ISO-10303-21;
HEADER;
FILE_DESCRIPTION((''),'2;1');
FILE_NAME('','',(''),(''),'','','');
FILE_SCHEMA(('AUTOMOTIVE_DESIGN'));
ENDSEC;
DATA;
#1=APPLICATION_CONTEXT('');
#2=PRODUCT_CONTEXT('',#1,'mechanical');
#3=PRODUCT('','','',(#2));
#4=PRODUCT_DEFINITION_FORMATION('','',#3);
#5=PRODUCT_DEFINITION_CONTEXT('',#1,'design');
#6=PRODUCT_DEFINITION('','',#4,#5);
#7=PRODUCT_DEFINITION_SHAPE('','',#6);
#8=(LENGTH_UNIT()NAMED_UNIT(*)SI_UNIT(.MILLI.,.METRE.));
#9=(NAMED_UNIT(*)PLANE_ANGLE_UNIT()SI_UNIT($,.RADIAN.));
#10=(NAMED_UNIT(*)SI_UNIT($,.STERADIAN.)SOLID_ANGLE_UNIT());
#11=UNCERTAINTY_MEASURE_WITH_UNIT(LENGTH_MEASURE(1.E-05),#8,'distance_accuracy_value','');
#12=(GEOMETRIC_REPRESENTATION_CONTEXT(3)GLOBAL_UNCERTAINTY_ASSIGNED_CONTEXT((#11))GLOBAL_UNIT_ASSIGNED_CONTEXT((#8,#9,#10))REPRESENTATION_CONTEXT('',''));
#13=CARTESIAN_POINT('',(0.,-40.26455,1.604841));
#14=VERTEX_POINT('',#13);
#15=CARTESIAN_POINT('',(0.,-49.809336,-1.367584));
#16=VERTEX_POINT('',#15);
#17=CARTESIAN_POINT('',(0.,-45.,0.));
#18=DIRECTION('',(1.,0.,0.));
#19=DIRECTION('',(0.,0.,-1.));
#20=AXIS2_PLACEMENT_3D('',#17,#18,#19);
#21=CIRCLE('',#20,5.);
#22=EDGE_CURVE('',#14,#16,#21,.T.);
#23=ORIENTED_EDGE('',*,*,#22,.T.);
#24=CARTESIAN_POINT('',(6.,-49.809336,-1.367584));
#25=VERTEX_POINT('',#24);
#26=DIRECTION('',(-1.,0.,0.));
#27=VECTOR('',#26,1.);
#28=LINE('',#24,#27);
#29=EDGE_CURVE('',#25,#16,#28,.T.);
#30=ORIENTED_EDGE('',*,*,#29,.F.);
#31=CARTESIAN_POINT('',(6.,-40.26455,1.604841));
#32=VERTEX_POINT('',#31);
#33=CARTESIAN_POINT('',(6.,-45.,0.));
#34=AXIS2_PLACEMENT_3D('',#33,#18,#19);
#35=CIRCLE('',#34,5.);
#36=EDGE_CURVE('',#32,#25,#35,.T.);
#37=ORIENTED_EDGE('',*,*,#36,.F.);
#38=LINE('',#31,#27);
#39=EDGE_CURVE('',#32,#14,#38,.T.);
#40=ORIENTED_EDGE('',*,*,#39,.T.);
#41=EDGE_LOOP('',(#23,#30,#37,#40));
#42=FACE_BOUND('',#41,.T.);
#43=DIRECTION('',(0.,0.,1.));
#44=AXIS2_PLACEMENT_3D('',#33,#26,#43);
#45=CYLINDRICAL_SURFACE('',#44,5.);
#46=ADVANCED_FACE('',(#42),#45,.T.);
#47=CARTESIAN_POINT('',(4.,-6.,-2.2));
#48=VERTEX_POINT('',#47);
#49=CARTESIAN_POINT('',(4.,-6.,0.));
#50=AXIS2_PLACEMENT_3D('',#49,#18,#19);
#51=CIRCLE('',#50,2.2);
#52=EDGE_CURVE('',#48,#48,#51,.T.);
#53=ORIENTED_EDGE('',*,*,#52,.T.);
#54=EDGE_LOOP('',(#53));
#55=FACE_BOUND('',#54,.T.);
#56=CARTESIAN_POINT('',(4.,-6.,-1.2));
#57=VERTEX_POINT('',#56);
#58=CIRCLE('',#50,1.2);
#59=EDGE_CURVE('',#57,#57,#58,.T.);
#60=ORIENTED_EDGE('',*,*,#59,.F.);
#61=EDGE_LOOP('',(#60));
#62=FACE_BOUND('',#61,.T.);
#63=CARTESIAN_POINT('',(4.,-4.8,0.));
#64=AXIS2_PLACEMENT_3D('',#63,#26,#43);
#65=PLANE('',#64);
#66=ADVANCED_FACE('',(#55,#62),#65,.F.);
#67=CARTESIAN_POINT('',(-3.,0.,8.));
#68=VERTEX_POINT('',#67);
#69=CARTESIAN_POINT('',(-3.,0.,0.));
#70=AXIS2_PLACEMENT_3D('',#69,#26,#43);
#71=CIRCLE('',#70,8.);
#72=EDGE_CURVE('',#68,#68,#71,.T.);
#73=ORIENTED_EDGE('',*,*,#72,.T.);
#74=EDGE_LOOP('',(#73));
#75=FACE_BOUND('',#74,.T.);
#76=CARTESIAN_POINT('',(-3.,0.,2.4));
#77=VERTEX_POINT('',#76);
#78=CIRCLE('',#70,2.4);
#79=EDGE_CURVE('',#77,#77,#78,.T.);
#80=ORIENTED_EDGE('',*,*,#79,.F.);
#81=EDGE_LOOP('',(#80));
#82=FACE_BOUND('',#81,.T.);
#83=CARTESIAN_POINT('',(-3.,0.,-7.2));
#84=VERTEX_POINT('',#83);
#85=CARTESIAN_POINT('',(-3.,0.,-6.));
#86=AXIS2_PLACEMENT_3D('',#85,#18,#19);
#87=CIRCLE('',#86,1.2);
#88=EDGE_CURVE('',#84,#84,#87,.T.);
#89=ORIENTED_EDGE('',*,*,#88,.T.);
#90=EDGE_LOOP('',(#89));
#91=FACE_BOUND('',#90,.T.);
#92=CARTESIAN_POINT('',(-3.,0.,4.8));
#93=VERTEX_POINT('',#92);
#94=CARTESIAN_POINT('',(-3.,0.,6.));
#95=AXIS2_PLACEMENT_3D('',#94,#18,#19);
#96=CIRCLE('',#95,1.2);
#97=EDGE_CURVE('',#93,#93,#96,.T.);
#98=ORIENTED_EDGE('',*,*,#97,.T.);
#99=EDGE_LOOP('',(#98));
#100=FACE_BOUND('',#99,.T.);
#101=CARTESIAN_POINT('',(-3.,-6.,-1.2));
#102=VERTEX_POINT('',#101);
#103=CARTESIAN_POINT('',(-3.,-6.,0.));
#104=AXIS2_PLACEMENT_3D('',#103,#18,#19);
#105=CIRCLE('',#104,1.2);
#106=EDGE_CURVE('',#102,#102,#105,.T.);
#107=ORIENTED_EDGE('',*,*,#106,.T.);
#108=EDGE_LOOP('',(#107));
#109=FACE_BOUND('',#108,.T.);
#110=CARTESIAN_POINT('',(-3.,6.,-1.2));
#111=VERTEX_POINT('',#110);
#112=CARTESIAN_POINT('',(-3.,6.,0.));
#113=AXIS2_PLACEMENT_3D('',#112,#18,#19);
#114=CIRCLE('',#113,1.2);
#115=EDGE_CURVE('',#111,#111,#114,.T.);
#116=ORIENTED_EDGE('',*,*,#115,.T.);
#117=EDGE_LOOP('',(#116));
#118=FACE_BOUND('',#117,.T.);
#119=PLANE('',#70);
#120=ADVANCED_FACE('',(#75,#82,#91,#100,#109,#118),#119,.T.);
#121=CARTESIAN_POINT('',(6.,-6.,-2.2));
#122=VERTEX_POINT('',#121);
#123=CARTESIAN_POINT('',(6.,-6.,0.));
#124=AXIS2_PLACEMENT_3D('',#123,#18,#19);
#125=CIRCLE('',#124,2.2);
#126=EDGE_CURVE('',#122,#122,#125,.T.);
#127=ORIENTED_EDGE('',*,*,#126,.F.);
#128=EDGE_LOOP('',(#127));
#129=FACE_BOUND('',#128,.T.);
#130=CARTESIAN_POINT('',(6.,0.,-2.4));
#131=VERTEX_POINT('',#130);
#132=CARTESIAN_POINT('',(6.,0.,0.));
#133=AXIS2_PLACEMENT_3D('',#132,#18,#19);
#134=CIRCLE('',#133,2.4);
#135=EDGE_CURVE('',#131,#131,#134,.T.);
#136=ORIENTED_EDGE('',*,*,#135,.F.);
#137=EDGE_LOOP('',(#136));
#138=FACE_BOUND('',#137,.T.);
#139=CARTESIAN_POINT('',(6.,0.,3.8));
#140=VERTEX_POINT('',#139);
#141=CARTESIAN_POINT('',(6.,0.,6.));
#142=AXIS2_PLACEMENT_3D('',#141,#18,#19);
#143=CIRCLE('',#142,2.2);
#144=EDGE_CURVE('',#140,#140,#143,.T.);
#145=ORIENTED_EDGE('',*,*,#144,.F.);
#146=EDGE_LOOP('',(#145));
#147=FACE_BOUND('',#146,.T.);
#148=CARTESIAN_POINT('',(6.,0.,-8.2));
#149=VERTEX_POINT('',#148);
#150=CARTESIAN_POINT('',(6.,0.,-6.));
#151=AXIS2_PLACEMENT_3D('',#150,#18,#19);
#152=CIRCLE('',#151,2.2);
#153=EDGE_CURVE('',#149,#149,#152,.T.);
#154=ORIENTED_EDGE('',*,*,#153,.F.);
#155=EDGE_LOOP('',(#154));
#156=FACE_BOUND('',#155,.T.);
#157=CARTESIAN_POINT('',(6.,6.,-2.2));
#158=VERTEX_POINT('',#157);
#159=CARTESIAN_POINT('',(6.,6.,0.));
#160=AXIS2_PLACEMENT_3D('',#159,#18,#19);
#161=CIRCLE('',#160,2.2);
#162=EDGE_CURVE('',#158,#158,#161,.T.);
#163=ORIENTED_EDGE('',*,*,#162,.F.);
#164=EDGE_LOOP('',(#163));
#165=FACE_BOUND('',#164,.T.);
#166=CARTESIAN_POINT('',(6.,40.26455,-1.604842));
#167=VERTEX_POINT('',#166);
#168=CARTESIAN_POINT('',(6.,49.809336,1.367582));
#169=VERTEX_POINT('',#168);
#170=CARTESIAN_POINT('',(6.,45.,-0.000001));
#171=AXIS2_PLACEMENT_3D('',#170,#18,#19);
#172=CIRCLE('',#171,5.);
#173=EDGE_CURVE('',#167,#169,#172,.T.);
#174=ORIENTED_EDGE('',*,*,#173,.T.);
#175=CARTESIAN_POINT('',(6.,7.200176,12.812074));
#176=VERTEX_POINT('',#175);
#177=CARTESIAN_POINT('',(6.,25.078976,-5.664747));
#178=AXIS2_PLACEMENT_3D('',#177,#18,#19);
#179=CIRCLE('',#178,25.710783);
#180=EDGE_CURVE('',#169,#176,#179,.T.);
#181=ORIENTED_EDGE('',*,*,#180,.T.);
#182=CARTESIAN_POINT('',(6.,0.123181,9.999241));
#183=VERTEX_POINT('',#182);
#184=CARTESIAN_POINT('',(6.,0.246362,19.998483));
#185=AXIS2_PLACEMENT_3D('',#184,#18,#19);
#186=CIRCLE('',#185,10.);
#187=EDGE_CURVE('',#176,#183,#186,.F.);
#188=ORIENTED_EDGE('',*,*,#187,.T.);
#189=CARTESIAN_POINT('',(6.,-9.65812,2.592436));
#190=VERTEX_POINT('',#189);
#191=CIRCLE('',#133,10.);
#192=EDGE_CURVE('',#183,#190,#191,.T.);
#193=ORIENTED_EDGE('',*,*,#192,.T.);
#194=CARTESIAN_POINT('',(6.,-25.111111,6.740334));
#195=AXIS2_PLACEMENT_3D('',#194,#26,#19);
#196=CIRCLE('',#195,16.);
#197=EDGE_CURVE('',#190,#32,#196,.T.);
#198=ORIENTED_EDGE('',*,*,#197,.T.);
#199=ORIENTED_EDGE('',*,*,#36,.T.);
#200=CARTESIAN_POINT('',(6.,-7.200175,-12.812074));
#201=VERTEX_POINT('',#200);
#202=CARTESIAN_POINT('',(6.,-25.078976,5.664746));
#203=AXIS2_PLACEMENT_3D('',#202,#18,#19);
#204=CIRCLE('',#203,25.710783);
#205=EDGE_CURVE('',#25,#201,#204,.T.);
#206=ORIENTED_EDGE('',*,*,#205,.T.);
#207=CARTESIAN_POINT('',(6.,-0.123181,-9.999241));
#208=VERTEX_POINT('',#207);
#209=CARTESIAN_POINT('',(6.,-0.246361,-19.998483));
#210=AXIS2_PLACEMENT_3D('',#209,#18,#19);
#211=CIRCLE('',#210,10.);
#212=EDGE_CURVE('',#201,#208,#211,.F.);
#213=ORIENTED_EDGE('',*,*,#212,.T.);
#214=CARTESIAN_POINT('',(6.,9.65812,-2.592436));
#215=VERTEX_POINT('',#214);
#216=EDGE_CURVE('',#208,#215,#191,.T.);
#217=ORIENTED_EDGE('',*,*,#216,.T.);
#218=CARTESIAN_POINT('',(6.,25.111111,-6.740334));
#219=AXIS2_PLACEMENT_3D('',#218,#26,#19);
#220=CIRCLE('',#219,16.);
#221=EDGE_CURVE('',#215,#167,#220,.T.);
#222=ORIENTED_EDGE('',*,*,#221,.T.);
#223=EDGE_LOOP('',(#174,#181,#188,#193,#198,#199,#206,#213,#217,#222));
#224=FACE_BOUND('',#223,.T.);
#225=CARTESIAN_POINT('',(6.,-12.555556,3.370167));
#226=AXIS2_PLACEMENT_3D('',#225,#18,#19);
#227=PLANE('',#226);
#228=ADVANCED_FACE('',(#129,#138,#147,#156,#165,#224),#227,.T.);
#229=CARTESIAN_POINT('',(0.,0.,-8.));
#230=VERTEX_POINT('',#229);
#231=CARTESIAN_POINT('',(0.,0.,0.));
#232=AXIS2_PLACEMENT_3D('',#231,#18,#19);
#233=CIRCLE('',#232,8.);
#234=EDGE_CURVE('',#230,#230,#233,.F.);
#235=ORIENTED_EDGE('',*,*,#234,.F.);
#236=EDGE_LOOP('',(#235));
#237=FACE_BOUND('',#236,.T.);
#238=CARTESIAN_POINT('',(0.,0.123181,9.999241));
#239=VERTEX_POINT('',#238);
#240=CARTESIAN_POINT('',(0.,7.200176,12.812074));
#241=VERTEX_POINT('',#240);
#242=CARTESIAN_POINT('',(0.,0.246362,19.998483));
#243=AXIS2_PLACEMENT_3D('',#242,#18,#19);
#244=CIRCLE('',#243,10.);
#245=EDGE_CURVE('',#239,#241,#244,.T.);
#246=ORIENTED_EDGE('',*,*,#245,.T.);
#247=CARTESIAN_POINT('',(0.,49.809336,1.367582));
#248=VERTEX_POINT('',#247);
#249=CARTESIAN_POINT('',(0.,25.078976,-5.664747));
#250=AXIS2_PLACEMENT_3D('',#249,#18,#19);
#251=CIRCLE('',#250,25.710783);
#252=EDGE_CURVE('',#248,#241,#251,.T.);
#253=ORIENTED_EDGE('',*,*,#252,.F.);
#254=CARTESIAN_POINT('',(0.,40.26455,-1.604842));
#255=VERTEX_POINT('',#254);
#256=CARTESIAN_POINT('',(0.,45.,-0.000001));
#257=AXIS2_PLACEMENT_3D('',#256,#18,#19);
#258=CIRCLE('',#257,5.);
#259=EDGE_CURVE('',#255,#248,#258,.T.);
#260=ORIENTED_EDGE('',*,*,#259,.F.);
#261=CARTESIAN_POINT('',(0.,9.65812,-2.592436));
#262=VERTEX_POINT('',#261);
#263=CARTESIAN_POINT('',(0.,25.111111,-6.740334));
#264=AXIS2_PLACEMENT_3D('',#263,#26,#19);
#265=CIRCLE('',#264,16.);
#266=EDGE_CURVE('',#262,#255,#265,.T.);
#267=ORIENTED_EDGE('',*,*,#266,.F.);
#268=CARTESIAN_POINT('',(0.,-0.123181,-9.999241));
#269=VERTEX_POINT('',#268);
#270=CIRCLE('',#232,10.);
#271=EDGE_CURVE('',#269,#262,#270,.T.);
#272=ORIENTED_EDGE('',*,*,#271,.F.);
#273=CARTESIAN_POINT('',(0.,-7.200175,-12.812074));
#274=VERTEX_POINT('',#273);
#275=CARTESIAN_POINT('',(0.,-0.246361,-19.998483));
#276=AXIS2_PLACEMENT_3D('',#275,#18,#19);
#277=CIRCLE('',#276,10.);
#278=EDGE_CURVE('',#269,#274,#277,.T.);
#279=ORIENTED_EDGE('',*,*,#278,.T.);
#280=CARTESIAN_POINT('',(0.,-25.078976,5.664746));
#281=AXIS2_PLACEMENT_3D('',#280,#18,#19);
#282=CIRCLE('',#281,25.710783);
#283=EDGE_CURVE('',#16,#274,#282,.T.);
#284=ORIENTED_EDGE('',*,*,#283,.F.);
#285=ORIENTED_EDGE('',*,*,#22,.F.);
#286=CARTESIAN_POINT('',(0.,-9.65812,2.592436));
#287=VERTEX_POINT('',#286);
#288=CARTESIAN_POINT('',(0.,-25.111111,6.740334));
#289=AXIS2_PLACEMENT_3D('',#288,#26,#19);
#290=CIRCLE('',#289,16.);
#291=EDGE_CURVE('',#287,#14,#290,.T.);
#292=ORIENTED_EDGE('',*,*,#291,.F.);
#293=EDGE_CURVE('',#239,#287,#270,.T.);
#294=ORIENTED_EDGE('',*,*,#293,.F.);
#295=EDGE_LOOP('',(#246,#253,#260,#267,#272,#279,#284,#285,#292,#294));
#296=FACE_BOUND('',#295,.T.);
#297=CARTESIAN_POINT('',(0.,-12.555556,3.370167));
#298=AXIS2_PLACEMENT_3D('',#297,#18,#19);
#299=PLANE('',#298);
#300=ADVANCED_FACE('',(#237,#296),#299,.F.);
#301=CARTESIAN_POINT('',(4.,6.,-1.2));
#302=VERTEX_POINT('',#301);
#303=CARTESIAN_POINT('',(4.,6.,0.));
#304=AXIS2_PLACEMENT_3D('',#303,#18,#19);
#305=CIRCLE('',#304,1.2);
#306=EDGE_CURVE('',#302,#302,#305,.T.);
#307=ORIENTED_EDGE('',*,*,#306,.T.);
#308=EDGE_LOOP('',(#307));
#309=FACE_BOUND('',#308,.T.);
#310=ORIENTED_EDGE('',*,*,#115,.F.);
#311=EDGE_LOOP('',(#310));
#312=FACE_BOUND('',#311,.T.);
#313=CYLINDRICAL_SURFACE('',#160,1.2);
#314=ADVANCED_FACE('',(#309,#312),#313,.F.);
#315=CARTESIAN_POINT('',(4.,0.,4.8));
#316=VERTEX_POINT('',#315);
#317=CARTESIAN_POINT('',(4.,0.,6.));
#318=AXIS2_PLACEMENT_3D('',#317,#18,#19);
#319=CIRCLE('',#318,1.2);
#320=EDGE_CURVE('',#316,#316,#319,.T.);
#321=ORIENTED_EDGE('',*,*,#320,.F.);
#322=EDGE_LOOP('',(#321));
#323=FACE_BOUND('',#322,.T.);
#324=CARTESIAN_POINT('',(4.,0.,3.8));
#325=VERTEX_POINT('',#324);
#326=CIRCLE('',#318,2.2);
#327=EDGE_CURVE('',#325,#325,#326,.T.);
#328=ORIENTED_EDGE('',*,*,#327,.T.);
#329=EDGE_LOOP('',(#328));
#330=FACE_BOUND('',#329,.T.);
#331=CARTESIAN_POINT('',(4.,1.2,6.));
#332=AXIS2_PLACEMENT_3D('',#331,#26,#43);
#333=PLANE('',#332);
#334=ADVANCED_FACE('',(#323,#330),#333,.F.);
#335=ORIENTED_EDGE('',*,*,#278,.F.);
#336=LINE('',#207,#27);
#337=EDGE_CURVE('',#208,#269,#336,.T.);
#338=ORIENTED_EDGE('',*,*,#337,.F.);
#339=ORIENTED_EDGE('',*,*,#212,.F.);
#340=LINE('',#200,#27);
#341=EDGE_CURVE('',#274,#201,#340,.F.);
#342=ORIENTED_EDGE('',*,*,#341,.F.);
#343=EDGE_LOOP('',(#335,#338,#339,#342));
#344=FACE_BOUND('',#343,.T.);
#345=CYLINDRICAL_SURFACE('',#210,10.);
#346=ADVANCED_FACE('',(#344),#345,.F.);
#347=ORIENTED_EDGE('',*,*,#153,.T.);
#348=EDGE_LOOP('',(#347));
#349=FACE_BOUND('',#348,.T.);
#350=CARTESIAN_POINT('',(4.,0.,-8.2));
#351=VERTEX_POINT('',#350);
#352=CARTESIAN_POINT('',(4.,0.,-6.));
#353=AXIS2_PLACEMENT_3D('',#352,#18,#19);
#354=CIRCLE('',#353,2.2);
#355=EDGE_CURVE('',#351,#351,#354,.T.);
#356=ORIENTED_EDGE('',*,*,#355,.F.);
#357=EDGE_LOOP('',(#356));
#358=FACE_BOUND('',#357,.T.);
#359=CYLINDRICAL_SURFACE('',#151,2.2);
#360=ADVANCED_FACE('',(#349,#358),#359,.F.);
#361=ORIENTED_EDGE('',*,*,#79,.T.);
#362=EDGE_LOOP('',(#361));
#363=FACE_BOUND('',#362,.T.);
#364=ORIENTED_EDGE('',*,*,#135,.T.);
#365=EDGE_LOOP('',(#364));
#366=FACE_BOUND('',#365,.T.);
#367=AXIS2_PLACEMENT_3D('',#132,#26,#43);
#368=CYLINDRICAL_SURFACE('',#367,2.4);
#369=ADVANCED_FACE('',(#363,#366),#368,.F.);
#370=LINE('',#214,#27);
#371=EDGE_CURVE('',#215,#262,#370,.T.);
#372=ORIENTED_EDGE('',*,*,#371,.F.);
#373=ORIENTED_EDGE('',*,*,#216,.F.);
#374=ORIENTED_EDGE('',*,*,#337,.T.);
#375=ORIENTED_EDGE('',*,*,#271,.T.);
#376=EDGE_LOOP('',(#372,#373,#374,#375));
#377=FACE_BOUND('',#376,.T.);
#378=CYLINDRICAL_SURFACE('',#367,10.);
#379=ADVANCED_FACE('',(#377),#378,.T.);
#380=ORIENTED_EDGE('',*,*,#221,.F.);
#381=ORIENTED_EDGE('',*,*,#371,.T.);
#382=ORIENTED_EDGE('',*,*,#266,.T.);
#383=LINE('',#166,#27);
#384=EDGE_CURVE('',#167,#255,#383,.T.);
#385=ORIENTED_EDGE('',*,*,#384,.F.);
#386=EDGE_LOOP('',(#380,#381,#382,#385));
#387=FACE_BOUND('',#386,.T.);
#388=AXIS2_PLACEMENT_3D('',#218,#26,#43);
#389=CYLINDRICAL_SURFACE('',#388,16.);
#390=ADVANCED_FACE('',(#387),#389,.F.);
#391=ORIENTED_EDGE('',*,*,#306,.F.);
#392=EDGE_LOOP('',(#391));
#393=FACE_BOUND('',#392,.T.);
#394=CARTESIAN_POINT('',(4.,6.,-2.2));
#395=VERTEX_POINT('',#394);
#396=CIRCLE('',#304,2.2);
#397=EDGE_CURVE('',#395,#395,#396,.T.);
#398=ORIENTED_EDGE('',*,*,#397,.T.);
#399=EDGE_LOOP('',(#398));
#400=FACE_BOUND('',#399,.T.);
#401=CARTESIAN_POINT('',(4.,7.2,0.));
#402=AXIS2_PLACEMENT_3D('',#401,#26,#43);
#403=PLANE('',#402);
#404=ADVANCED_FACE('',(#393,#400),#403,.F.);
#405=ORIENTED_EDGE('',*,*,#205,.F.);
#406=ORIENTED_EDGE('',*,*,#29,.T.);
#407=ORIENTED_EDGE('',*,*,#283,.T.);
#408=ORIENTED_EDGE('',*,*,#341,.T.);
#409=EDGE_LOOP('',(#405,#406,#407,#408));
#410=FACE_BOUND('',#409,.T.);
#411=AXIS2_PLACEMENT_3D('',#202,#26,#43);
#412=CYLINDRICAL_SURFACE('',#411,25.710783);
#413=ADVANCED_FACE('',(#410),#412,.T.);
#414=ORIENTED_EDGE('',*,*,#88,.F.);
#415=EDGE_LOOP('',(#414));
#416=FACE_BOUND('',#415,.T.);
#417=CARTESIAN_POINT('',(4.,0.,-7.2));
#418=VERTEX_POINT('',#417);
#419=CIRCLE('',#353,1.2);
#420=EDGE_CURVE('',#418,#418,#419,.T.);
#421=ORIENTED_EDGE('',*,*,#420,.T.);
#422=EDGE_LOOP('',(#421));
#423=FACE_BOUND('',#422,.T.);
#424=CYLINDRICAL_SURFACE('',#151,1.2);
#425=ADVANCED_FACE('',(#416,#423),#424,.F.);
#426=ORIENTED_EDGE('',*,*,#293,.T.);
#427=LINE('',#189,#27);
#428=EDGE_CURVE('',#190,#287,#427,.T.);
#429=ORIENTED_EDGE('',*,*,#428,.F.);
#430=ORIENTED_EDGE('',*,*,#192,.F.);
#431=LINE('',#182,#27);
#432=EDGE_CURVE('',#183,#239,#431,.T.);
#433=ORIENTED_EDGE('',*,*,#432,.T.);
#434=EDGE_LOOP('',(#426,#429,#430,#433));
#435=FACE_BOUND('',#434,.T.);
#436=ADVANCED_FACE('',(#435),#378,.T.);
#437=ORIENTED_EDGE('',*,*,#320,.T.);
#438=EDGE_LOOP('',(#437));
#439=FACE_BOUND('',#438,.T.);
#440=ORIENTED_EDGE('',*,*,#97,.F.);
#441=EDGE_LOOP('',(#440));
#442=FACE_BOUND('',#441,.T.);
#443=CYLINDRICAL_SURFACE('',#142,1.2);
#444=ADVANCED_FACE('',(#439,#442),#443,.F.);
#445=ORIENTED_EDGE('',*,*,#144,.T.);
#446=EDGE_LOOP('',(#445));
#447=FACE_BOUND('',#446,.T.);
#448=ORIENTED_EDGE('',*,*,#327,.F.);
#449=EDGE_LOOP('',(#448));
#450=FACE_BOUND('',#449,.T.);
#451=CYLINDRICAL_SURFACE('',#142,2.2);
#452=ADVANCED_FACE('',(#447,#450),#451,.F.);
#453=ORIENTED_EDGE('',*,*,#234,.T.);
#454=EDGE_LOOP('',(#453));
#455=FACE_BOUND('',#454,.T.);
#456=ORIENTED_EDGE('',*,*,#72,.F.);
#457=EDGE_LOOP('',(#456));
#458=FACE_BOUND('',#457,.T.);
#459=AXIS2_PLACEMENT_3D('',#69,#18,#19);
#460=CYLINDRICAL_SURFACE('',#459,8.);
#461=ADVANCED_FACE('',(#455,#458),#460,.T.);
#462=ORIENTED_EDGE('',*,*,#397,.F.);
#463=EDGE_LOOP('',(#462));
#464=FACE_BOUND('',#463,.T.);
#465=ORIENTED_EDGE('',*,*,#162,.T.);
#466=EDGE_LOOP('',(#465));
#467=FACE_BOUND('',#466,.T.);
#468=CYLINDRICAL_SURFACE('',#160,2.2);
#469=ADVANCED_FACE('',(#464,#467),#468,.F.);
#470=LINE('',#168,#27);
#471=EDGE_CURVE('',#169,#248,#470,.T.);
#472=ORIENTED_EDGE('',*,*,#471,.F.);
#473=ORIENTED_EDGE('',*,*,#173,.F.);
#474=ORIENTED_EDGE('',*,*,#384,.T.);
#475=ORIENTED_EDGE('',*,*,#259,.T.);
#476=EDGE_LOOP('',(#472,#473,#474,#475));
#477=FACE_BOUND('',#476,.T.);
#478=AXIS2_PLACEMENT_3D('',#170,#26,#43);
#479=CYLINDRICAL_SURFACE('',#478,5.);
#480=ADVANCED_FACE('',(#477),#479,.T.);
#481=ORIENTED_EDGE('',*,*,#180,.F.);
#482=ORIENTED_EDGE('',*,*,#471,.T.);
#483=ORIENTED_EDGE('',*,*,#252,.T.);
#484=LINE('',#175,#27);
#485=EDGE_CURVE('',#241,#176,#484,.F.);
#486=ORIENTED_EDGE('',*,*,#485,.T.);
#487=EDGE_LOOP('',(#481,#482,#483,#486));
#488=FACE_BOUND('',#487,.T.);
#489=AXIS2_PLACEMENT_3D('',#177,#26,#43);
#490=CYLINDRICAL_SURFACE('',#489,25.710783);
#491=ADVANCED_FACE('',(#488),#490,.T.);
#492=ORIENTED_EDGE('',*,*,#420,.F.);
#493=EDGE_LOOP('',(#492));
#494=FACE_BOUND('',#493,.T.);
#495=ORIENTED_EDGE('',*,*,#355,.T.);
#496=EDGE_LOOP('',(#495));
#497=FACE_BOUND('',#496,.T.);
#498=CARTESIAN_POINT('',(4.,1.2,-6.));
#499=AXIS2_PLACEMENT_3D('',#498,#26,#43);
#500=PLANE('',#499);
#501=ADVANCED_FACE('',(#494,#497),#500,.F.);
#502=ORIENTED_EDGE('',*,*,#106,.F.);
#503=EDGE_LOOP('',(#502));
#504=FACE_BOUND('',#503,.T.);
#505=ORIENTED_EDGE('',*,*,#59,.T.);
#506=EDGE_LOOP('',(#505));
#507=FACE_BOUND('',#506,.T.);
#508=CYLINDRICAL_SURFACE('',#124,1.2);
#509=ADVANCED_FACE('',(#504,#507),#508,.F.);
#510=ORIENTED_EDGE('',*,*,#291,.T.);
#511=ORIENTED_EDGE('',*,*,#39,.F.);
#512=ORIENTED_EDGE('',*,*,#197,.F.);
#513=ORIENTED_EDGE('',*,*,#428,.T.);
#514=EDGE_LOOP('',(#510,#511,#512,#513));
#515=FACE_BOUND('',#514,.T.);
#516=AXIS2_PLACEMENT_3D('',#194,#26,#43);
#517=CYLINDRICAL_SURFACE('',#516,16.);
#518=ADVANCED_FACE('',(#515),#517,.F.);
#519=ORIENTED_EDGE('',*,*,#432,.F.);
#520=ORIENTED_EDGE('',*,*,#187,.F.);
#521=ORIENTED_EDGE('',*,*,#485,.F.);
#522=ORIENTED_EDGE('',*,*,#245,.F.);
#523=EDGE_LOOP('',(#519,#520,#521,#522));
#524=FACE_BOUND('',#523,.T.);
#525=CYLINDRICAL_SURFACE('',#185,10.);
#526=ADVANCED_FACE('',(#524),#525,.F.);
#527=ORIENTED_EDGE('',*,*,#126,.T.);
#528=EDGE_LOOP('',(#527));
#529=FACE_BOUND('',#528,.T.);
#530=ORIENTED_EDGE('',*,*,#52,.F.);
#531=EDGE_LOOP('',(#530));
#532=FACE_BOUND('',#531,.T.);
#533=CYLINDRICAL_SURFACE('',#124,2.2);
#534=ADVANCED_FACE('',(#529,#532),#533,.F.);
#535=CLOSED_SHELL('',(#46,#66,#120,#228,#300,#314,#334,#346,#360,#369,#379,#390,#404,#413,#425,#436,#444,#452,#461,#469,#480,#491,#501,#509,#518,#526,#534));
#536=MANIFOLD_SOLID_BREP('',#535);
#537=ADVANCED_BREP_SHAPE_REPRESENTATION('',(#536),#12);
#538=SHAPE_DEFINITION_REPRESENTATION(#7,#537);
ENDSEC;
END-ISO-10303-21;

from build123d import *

# Parameters (mm, degrees)
SKETCH1_R                      = 2.4
BOSS_EXTRUDE1_DEPTH            = 6
SKETCH2_R                      = 8
SKETCH2_R_2                    = 2.4
BOSS_EXTRUDE2_DEPTH            = 3
CBORE_FOR_M2_SHCS1_D           = 2.4
CBORE_FOR_M2_SHCS1_CBORE_D     = 4.4
CBORE_FOR_M2_SHCS1_CBORE_DEPTH = 2
FILLET1_R                      = 10


with BuildPart() as part:
    # Sketch1 → Boss-Extrude1 (new body)
    with BuildSketch(Plane(origin=(0, 0, 0), x_dir=(0, 0, -1), z_dir=(1, 0, 0))):
        with BuildLine():
            ThreePointArc((9.139568575, -4.058113633), (9.024618995, 4.307696832), (2.592436286, 9.658119595))
            ThreePointArc((2.592436286, 9.658119595), (-9.251342607, 24.595099021), (1.604842351, 40.264550225))
            ThreePointArc((1.604842351, 40.264550225), (4.773868283, 46.4866715), (-1.367582481, 49.809336247))
            ThreePointArc((-1.367582481, 49.809336247), (-19.682903104, 29.384906165), (-9.139568476, 4.058113857))
            ThreePointArc((-9.139568476, 4.058113857), (-9.024618995, -4.307696832), (-2.592436049, -9.658119658))
            ThreePointArc((-2.592436049, -9.658119658), (9.25134321, -24.595098795), (-1.604841364, -40.264550265))
            ThreePointArc((-1.604841364, -40.264550265), (-4.773867143, -46.486671617), (1.367583702, -49.809336214))
            ThreePointArc((1.367583702, -49.809336214), (19.682903824, -29.384905682), (9.139568575, -4.058113633))
        make_face()
        Circle(SKETCH1_R, mode=Mode.SUBTRACT)
    extrude(amount=BOSS_EXTRUDE1_DEPTH)

    # Sketch2 → Boss-Extrude2 (add)
    with BuildSketch(Plane.ZY):
        Circle(SKETCH2_R)
        Circle(SKETCH2_R_2, mode=Mode.SUBTRACT)
    extrude(amount=BOSS_EXTRUDE2_DEPTH)

    # CBORE for M2 SHCS1 (through all)
    with Locations(Plane(origin=(6, 0, 0), x_dir=(0, 0, -1), z_dir=(1, 0, 0))):
        with Locations((0, -6), (-6, 0), (0, 6), (6, 0)):
            CounterBoreHole(CBORE_FOR_M2_SHCS1_D / 2, CBORE_FOR_M2_SHCS1_CBORE_D / 2, CBORE_FOR_M2_SHCS1_CBORE_DEPTH)

    # Fillet1
    fillet1_edges = [part.edges().sort_by_distance(p)[0] for p in [
        (3, 4.058113857, 9.139568476),
        (3, -4.058113633, -9.139568575),
    ]]
    fillet(fillet1_edges, radius=FILLET1_R)


solid = part.part
